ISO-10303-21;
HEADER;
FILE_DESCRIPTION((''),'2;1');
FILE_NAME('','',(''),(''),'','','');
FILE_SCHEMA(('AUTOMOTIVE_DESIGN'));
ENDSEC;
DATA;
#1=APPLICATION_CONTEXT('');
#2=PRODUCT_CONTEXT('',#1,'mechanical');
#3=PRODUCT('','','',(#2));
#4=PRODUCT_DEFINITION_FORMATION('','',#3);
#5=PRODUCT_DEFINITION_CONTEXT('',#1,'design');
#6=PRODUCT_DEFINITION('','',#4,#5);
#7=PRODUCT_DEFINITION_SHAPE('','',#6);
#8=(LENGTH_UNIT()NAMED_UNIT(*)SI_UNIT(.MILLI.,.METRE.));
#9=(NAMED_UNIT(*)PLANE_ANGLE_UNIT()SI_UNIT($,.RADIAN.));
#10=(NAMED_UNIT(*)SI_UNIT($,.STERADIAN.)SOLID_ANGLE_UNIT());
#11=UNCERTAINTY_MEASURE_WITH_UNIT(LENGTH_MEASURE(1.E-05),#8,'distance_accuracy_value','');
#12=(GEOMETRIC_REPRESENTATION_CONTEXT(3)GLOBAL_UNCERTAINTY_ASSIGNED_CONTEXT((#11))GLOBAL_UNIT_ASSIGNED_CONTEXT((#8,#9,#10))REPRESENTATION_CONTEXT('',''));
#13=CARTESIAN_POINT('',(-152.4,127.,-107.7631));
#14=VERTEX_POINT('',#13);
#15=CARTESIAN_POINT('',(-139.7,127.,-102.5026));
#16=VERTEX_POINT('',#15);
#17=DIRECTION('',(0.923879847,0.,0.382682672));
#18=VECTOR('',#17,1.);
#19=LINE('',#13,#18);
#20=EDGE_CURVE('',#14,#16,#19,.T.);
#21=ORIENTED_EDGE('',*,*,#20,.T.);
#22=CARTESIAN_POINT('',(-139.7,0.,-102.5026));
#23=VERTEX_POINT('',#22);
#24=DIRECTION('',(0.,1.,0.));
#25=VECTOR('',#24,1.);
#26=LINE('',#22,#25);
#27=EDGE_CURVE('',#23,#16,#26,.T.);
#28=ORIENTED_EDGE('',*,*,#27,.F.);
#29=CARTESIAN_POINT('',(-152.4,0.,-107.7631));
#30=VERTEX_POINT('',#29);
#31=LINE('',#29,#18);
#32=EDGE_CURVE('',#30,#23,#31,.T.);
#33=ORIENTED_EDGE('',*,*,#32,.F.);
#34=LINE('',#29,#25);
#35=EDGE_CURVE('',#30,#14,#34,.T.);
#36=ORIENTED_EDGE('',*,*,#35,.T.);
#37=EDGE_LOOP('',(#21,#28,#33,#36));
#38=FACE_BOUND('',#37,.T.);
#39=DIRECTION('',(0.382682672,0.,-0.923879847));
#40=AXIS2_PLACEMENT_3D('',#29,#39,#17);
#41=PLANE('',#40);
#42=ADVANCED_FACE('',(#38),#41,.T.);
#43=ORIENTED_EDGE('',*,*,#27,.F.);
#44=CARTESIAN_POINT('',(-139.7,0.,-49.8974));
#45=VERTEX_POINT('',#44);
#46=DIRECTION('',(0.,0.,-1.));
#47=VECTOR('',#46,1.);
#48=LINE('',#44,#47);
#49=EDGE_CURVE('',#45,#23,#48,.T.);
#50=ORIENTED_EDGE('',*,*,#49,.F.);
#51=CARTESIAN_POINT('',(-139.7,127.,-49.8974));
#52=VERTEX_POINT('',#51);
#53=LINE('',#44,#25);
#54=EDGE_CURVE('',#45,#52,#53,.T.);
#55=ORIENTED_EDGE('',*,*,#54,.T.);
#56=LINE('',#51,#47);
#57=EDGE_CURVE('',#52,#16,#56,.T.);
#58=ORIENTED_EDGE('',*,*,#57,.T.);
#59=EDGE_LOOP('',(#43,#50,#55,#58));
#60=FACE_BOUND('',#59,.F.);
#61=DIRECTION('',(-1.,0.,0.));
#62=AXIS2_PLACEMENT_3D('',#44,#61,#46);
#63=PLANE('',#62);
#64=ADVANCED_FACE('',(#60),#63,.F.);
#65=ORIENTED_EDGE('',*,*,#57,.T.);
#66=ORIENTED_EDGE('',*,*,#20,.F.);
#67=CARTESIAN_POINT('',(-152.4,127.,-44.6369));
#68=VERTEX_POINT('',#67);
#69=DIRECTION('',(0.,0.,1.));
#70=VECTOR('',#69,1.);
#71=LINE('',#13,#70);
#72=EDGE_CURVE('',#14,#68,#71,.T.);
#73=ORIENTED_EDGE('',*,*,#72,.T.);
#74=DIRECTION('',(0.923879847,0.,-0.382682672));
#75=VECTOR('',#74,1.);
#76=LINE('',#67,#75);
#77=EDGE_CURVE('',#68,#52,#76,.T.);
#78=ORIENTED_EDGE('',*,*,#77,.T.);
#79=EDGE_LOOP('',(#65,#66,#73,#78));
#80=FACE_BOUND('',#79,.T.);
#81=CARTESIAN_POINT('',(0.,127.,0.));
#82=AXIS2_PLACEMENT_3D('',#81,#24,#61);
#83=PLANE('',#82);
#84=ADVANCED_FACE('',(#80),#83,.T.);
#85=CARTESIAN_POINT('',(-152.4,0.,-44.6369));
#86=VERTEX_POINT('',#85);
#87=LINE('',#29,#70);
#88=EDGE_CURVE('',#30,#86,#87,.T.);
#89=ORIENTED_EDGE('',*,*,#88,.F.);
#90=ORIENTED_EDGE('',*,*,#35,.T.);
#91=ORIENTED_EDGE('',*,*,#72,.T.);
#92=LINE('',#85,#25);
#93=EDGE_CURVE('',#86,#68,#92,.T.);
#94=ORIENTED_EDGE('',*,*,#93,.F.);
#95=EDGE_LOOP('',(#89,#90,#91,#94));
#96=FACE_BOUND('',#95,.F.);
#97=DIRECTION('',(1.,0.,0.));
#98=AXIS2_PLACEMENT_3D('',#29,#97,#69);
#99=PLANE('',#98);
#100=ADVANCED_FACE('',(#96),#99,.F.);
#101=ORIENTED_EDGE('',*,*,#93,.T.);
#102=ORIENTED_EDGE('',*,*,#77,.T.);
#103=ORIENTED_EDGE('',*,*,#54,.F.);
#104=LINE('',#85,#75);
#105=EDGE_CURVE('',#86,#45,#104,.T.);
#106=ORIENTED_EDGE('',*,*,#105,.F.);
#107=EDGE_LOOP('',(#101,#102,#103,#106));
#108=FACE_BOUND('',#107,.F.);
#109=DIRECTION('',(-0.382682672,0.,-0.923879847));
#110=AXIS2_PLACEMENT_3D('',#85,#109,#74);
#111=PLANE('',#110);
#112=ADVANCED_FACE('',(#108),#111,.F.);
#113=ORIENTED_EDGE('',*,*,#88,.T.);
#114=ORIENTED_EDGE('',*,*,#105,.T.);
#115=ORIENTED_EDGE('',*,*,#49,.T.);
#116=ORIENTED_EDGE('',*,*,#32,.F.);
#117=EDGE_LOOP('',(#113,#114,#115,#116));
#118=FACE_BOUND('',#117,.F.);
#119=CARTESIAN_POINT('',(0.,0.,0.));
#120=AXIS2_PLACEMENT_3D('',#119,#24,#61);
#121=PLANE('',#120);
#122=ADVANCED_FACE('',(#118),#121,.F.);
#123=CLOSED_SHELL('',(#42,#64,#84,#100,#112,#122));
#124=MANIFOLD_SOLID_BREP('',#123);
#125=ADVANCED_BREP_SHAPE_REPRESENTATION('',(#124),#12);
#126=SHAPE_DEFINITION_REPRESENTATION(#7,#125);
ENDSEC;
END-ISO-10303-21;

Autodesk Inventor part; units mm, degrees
ref_plane "YZ Plane" through (0, 0, 0) normal (1, 0, 0) x (0, 1, 0)
ref_plane "XZ Plane" through (0, 0, 0) normal (0, 1, 0) x (-1, 0, 0)
ref_plane "XY Plane" through (0, 0, 0) normal (0, 0, 1) x (1, 0, 0)
sketch "Sketch1" plane through (0, 0, 0) normal (0, 1, 0) x (-1, 0, 0)
  line L0 (0, 0) -> (152.4, 0) construction
  line L1 (152.4, 0) -> (152.4, -152.4) construction
  line L2 (152.4, -152.4) -> (0, -152.4) construction
  line L3 (0, -152.4) -> (0, 0) construction
  line L4 (44.6369, -152.4) -> (0, -107.7631) construction
  line L5 (0, -107.7631) -> (0, -44.6369) construction
  line L6 (0, -44.6369) -> (44.6369, 0) construction
  line L7 (44.6369, 0) -> (107.7631, 0) construction
  line L8 (107.7631, 0) -> (152.4, -44.6369) construction
  line L9 (152.4, -44.6369) -> (152.4, -107.7631) construction
  line L10 (152.4, -107.7631) -> (107.7631, -152.4) construction
  line L11 (107.7631, -152.4) -> (44.6369, -152.4) construction
  line L12 (102.5026, -12.7) -> (139.7, -49.8974) construction
  line L13 (139.7, -49.8974) -> (139.7, -102.5026) construction
  line L14 (139.7, -102.5026) -> (102.5026, -139.7) construction
  line L15 (102.5026, -139.7) -> (49.8974, -139.7) construction
  line L16 (49.8974, -139.7) -> (12.7, -102.5026) construction
  line L17 (12.7, -102.5026) -> (12.7, -49.8974) construction
  line L18 (12.7, -49.8974) -> (49.8974, -12.7) construction
  line L19 (49.8974, -12.7) -> (102.5026, -12.7) construction
  line L20 (152.4, -44.6369) -> (139.7, -49.8974)
  line L21 (139.7, -49.8974) -> (139.7, -102.5026)
  line L22 (152.4, -107.7631) -> (139.7, -102.5026)
  line L23 (152.4, -107.7631) -> (152.4, -44.6369)
  point P0 (76.2, -76.2)
  point P1 (76.2, -76.2)
  point P2 (76.2, -76.2)
  dimension "d0" = 152.4
  dimension "d1" = 152.4
  dimension "d2" = 12.7
  dimension "d3" = 63.1262
  dimension "d4" = 52.6051
extrude "Extrusion1" add sketch "Sketch1" along normal blind 127
properties part number "SatelliteSideWallFilled"
